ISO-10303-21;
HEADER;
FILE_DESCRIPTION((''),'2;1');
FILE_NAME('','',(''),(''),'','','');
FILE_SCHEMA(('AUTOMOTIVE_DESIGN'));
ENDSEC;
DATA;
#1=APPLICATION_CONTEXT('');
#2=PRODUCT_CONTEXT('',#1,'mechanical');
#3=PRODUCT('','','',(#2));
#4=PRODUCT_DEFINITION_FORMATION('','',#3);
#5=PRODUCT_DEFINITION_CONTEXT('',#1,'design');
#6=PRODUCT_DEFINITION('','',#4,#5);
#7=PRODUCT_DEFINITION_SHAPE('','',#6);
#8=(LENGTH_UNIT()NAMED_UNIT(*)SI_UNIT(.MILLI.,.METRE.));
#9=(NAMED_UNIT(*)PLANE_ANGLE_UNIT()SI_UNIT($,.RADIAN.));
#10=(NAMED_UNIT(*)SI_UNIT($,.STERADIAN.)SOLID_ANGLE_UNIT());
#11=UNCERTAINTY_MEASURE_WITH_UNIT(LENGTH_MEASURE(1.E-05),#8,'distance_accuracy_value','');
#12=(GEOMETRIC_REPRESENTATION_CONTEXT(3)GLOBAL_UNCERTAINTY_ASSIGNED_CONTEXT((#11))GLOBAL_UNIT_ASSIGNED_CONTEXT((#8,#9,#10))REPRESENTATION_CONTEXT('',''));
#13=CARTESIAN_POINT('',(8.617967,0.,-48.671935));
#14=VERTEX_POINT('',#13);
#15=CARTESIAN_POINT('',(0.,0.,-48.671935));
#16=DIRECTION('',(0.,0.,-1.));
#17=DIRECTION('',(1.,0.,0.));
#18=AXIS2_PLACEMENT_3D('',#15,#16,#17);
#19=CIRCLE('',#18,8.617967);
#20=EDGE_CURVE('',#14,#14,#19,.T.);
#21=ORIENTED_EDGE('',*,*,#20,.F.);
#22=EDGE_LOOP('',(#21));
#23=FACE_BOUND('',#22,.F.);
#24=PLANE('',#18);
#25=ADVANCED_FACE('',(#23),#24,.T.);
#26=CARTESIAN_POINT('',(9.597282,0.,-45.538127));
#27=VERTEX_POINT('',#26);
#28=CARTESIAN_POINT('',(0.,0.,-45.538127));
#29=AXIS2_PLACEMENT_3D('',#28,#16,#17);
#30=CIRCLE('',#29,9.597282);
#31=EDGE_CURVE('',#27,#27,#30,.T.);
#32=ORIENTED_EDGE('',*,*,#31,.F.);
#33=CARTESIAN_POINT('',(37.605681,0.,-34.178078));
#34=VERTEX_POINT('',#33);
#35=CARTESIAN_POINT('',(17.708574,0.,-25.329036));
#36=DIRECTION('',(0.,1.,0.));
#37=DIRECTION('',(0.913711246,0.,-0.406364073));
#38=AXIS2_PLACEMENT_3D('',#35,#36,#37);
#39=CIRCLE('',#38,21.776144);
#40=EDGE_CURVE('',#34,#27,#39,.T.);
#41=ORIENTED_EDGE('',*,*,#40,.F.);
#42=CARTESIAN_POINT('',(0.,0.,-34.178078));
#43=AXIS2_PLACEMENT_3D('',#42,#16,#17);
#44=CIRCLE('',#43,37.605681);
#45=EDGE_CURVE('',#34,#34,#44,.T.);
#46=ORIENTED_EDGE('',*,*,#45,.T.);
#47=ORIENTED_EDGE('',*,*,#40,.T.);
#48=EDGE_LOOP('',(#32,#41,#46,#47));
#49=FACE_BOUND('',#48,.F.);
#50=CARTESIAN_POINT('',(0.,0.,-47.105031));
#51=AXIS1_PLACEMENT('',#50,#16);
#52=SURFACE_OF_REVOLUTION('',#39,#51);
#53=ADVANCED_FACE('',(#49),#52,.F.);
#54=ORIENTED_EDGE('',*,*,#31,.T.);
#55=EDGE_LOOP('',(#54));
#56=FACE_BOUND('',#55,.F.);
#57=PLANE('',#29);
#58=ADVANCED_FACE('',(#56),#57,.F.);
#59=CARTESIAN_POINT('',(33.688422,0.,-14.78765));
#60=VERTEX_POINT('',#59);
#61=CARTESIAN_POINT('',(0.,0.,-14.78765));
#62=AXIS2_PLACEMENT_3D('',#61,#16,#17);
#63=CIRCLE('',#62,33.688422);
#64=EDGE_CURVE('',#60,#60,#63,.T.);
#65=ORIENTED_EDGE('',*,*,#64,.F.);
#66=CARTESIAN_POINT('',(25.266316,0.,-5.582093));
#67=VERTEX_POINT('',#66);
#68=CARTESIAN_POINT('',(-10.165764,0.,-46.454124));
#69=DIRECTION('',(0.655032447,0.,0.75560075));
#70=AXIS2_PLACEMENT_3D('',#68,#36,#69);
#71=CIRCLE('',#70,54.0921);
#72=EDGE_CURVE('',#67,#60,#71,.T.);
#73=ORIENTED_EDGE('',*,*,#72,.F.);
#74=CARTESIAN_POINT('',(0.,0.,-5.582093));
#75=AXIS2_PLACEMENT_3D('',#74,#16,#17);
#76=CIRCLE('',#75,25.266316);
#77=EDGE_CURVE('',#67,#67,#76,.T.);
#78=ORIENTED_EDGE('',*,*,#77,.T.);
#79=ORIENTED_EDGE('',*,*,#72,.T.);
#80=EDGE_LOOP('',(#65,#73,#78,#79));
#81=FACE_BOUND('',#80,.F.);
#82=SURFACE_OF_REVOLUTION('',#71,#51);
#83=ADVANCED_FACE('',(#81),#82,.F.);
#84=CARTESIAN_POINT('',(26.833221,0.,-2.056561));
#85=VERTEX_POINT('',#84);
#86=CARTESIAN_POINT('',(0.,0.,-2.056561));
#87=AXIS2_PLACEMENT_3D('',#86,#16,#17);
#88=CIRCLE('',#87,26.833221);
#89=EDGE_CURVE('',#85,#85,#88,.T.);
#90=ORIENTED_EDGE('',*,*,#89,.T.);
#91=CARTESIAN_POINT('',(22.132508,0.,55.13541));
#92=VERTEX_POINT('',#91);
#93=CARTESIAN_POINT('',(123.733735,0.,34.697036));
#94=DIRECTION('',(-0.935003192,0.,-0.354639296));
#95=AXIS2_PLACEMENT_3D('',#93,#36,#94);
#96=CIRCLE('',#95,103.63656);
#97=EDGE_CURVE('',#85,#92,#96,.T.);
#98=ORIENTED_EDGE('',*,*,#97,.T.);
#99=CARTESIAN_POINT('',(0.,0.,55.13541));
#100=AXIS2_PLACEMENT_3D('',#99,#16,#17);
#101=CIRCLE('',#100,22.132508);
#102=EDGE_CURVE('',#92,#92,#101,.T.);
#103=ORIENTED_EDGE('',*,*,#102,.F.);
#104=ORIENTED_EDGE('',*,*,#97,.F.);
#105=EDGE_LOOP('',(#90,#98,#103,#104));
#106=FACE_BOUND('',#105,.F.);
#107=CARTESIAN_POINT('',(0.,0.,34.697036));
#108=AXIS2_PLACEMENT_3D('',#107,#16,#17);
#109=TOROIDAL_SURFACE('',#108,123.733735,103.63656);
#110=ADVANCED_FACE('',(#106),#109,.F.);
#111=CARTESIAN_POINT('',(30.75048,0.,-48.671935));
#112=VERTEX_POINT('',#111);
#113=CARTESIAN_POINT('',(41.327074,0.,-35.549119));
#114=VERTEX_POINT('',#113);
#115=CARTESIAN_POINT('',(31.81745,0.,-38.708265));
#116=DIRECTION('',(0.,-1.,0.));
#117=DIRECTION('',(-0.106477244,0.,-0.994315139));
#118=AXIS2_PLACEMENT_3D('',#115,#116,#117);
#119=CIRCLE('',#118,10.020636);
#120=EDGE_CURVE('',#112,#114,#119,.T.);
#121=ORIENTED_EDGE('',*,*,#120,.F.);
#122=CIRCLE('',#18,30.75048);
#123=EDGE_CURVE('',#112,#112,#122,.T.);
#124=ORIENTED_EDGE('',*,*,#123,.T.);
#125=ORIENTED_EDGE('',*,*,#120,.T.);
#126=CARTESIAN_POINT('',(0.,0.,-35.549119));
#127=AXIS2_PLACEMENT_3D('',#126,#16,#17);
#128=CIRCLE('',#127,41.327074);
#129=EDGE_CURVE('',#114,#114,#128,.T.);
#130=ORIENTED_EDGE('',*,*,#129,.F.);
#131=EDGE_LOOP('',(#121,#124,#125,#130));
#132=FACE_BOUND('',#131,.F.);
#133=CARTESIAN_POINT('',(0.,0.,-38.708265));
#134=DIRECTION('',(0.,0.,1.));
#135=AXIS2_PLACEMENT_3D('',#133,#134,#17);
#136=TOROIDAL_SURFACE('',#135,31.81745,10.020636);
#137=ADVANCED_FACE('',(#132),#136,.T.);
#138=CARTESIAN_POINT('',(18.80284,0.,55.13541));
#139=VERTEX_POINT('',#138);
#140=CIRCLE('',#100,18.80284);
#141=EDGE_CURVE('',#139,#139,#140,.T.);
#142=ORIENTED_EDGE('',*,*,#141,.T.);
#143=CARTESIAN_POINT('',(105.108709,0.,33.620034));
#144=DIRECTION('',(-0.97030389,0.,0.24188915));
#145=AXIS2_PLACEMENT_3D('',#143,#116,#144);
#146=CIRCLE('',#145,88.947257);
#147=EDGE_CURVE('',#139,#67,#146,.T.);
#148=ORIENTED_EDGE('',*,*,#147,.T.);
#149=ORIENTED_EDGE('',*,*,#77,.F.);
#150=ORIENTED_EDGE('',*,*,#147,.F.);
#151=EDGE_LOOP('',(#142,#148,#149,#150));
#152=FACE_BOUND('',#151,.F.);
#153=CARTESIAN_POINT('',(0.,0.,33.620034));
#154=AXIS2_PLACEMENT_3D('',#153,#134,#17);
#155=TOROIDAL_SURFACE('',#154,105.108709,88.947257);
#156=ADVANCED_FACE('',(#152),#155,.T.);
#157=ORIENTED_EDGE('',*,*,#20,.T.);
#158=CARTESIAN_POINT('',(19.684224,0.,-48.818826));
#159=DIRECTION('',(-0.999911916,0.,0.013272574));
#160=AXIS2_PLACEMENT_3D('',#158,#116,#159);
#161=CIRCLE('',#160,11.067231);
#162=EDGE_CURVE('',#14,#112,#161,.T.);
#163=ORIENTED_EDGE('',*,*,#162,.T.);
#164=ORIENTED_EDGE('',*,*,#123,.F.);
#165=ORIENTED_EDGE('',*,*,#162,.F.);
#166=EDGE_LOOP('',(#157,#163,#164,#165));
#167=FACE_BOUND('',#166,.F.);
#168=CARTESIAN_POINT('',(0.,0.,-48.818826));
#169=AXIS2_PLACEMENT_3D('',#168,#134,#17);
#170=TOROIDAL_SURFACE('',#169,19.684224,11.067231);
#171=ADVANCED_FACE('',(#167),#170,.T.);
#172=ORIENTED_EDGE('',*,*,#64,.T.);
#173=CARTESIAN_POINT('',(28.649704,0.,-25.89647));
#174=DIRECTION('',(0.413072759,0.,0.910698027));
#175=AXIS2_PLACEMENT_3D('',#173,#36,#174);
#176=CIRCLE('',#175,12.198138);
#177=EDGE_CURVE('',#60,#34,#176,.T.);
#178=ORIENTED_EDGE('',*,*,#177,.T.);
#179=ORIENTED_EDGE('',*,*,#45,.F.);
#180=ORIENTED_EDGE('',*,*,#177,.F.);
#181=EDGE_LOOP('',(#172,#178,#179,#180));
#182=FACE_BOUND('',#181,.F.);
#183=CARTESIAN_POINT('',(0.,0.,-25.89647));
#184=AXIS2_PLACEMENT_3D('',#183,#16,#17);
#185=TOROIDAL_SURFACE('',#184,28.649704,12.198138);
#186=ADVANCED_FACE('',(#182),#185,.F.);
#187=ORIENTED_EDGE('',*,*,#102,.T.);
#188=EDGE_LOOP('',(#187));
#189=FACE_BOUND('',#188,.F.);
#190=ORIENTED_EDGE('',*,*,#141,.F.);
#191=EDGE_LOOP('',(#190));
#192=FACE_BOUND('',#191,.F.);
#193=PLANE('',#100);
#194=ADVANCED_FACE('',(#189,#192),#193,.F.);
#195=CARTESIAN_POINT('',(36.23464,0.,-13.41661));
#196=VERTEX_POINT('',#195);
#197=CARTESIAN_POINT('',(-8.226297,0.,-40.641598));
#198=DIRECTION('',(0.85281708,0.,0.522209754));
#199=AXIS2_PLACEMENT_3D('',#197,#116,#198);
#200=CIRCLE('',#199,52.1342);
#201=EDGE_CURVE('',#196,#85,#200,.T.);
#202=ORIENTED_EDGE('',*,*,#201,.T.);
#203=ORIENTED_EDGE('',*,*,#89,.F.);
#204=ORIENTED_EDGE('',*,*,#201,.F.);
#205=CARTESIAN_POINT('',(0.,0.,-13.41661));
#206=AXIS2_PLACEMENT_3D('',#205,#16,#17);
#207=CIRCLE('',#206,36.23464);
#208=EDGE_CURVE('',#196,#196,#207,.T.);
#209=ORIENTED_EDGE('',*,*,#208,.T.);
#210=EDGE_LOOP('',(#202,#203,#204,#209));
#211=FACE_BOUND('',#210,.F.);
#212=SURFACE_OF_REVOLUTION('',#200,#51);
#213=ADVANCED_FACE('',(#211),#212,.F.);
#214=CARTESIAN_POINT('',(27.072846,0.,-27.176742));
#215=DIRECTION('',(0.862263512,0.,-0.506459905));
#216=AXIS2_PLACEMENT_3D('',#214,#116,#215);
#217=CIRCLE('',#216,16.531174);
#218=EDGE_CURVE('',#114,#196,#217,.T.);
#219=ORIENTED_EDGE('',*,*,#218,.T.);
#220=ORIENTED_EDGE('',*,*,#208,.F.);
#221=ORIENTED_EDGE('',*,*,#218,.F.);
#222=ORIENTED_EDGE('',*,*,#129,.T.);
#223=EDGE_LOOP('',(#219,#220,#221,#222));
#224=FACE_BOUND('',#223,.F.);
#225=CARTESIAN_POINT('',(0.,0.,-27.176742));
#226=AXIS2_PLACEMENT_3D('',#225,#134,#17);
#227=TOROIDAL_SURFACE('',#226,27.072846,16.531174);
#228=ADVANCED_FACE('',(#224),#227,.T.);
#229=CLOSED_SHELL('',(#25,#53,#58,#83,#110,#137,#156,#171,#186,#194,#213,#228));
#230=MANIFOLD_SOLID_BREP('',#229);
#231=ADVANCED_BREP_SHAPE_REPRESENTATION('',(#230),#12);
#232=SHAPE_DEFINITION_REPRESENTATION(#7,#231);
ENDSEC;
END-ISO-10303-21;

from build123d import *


with BuildPart() as f1:
    # F0 (on Front) → F1 (revolve)
    with BuildSketch(Plane.XZ):
        with BuildLine():
            Line((0, -45.538127), (0, -48.671935))
            Line((0, -48.671935), (8.617967, -48.671935))
            ThreePointArc((8.617967, -48.671935), (19.684223, -59.886057), (30.75048, -48.671935))
            ThreePointArc((30.75048, -48.671935), (39.61948, -44.996466), (41.327074, -35.549119))
            ThreePointArc((41.327074, -35.549119), (43.183076, -23.469965), (36.23464, -13.41661))
            ThreePointArc((36.23464, -13.41661), (31.937597, -7.402517), (26.833221, -2.056561))
            ThreePointArc((26.833221, -2.056561), (20.44547, 26.207584), (22.132508, 55.13541))
            Line((22.132508, 55.13541), (18.80284, 55.13541))
            ThreePointArc((18.80284, 55.13541), (16.661182, 24.204652), (25.266316, -5.582093))
            ThreePointArc((25.266316, -5.582093), (29.743678, -9.941227), (33.688422, -14.78765))
            ThreePointArc((33.688422, -14.78765), (40.606294, -23.480997), (37.605681, -34.178078))
            ThreePointArc((37.605681, -34.178078), (25.893257, -45.508515), (9.597282, -45.538127))
            Line((9.597282, -45.538127), (0, -45.538127))
        make_face()
    revolve(axis=Axis((0, 0, -47.105031), (0, 0, -1)))


solid = f1.part
